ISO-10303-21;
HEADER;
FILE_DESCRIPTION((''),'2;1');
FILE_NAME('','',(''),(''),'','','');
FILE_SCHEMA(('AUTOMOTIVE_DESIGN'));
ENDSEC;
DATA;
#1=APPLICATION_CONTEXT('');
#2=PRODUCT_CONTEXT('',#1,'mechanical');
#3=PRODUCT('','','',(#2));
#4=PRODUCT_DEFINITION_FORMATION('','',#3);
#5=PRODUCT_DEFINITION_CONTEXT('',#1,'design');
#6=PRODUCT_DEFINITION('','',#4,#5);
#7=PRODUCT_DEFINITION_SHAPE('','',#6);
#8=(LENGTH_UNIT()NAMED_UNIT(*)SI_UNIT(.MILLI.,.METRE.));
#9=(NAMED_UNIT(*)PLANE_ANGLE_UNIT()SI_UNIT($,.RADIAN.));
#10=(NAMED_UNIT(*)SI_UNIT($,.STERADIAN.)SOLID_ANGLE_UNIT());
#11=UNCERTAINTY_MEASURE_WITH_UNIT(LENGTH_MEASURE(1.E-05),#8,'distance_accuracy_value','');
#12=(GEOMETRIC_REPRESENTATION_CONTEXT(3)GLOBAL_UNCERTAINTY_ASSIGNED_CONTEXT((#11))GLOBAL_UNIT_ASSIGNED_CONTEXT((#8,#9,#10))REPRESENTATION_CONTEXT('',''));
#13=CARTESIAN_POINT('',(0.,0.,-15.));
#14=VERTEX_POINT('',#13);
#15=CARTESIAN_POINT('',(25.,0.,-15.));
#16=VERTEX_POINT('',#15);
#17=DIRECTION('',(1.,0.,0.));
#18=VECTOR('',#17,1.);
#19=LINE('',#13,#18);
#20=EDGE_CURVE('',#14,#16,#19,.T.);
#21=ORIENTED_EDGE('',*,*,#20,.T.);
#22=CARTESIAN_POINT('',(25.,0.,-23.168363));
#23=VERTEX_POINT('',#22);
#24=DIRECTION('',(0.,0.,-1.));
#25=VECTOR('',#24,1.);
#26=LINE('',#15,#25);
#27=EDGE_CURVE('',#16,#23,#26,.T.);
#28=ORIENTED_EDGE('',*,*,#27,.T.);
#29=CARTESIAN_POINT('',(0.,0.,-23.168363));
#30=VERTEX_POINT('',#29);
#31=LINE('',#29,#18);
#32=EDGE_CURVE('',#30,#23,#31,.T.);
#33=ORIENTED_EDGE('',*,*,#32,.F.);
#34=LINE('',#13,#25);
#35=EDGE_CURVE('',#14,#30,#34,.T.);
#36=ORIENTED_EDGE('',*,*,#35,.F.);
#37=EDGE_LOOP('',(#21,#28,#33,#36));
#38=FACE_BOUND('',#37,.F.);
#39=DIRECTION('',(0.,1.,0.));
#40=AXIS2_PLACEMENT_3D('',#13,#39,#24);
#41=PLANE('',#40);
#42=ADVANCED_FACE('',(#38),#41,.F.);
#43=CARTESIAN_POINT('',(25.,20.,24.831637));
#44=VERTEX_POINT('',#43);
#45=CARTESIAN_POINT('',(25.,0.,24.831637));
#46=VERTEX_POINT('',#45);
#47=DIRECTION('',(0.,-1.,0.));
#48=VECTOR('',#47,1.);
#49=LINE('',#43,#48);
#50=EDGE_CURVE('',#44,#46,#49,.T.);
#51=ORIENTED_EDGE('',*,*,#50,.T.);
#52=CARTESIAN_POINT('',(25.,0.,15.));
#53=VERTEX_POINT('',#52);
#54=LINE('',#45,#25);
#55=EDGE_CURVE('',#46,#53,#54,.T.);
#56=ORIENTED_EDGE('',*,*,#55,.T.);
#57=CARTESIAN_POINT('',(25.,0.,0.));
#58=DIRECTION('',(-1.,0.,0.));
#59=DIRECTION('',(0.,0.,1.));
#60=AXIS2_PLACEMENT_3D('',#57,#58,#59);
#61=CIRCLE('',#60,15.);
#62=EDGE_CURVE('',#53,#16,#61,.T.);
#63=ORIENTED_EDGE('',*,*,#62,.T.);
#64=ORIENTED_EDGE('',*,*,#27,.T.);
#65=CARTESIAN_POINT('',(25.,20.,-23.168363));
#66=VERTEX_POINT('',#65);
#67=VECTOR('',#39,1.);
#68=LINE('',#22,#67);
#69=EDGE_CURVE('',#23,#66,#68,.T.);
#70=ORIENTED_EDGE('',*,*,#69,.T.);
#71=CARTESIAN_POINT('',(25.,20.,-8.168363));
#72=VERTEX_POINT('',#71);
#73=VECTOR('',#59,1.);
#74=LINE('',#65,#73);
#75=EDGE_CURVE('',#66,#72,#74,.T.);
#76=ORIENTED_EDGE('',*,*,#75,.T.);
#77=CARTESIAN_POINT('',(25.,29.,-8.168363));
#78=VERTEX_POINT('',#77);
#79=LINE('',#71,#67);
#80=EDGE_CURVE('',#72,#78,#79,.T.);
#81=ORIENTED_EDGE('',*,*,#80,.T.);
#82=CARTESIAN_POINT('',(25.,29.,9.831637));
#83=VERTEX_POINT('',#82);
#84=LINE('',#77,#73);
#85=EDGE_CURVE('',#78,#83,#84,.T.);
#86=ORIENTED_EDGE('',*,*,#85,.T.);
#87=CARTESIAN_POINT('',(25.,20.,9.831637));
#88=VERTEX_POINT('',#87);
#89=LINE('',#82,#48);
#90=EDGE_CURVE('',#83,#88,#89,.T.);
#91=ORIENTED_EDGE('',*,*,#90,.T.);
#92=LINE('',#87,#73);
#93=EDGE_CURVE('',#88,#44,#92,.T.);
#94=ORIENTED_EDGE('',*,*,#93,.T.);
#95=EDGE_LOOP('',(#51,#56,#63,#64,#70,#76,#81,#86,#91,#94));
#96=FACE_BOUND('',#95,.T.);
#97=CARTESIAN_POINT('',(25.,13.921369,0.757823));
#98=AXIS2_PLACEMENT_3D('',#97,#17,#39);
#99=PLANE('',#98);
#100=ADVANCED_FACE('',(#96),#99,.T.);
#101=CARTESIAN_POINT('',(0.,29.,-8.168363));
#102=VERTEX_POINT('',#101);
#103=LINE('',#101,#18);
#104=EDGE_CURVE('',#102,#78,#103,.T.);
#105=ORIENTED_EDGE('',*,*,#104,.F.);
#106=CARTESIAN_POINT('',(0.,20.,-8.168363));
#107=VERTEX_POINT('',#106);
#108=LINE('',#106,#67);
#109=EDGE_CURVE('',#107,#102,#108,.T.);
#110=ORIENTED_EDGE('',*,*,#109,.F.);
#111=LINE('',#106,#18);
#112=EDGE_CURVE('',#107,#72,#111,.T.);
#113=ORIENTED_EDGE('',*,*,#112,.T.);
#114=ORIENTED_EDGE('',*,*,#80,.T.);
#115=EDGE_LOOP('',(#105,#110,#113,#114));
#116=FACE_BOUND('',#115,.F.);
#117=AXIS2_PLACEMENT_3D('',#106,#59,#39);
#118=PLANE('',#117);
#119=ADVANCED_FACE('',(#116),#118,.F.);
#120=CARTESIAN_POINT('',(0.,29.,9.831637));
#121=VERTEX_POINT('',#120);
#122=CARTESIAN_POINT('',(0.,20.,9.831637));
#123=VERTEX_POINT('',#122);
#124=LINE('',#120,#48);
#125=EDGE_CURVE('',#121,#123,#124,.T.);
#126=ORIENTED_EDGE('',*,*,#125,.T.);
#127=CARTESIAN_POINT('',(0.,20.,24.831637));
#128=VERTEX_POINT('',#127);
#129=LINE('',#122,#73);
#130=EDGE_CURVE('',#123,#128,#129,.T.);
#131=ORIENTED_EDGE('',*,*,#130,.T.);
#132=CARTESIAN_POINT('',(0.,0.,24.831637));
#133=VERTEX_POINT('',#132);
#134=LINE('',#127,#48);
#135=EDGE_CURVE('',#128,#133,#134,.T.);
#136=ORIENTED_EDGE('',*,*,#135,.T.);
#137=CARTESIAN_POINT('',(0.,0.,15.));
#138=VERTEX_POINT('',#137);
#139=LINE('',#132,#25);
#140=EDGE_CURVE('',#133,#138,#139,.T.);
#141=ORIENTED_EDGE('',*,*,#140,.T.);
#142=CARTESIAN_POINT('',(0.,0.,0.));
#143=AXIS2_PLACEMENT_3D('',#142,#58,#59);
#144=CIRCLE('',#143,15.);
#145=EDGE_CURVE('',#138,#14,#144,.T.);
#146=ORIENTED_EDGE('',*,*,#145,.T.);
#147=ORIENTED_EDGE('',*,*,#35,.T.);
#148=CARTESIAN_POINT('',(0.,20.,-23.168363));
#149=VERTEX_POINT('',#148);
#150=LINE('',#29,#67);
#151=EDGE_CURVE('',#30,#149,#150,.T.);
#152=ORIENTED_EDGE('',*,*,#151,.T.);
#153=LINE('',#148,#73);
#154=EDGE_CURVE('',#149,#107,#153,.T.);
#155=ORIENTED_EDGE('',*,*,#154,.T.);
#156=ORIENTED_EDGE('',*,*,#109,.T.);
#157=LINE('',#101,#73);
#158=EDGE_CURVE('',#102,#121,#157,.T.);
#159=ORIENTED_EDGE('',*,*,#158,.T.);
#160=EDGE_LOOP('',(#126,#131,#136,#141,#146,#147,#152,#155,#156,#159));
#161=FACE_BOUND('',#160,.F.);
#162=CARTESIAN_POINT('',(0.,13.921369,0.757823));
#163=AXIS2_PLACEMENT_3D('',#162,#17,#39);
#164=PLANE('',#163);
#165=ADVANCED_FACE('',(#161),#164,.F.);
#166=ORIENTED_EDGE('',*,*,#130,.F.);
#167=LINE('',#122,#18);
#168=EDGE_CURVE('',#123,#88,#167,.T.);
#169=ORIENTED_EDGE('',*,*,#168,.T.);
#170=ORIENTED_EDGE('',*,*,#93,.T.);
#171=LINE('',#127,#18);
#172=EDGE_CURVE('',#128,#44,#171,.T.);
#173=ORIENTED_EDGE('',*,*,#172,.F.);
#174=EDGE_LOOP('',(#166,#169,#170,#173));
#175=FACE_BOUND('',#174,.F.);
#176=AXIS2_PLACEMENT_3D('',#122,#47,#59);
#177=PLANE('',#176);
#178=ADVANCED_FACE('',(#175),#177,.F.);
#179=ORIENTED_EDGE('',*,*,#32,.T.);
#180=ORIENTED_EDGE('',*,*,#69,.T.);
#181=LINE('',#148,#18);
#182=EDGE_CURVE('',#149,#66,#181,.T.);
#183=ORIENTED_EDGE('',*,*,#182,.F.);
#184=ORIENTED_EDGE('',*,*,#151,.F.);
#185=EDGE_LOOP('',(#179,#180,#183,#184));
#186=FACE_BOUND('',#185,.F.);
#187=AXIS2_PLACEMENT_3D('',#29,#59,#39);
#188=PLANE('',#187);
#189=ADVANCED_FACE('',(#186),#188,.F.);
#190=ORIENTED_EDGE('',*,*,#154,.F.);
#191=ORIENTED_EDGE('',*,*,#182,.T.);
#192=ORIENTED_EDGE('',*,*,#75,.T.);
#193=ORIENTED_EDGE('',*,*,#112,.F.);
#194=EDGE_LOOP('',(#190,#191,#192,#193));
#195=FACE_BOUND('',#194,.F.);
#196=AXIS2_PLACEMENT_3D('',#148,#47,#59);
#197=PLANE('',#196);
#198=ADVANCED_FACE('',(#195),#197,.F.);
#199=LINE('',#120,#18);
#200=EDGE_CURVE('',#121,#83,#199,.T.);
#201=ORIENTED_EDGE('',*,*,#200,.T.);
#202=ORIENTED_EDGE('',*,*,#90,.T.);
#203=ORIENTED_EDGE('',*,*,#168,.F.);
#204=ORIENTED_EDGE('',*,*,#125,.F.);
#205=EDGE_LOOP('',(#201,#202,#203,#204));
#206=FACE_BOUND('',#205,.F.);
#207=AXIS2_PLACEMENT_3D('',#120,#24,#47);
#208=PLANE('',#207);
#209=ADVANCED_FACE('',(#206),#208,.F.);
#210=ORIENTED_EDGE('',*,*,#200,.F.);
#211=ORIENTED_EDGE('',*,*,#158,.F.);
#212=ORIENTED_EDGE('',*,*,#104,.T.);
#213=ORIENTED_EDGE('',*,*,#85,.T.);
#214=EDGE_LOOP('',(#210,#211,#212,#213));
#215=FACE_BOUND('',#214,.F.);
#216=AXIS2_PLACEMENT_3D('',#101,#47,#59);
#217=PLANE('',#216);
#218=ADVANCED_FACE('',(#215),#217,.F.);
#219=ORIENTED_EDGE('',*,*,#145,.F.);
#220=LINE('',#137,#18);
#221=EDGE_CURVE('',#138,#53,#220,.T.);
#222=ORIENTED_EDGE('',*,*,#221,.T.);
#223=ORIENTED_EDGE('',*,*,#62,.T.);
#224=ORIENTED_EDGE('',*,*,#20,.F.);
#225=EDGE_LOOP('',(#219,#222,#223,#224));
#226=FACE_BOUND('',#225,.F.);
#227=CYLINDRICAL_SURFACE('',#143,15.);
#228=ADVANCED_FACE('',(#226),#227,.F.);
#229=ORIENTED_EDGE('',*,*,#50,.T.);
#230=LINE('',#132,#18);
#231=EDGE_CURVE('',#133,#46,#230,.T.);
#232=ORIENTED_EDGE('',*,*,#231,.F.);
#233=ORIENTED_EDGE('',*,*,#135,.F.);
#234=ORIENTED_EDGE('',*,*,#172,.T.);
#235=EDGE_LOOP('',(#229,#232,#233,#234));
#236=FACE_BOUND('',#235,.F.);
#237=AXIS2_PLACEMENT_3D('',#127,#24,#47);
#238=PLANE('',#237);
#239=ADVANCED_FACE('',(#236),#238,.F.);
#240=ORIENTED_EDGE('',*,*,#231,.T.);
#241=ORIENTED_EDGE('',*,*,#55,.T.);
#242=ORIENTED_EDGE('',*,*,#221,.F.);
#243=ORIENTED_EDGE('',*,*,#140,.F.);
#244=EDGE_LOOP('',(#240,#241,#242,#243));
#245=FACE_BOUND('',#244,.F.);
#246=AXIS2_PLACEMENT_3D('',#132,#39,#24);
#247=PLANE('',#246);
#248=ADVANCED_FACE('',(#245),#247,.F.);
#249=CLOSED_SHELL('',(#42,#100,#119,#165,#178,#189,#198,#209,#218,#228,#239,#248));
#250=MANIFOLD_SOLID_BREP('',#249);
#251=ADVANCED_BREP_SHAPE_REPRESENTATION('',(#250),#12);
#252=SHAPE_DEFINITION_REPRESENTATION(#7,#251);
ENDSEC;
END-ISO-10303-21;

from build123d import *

# Parameters (mm, degrees)
F1_DEPTH = 25


with BuildPart() as f1:
    # F0 (on Right) → F1 (new body)
    with BuildSketch(Plane.YZ):
        with BuildLine():
            ThreePointArc((0, 15), (15, 0), (0, -15))
            Line((0, -15), (0, -23.168363))
            Line((0, -23.168363), (20, -23.168363))
            Line((20, -23.168363), (20, -8.168363))
            Line((20, -8.168363), (29, -8.168363))
            Line((29, -8.168363), (29, 9.831637))
            Line((29, 9.831637), (20, 9.831637))
            Line((20, 9.831637), (20, 24.831637))
            Line((20, 24.831637), (0, 24.831637))
            Line((0, 24.831637), (0, 15))
        make_face()
    extrude(amount=F1_DEPTH)


solid = f1.part
